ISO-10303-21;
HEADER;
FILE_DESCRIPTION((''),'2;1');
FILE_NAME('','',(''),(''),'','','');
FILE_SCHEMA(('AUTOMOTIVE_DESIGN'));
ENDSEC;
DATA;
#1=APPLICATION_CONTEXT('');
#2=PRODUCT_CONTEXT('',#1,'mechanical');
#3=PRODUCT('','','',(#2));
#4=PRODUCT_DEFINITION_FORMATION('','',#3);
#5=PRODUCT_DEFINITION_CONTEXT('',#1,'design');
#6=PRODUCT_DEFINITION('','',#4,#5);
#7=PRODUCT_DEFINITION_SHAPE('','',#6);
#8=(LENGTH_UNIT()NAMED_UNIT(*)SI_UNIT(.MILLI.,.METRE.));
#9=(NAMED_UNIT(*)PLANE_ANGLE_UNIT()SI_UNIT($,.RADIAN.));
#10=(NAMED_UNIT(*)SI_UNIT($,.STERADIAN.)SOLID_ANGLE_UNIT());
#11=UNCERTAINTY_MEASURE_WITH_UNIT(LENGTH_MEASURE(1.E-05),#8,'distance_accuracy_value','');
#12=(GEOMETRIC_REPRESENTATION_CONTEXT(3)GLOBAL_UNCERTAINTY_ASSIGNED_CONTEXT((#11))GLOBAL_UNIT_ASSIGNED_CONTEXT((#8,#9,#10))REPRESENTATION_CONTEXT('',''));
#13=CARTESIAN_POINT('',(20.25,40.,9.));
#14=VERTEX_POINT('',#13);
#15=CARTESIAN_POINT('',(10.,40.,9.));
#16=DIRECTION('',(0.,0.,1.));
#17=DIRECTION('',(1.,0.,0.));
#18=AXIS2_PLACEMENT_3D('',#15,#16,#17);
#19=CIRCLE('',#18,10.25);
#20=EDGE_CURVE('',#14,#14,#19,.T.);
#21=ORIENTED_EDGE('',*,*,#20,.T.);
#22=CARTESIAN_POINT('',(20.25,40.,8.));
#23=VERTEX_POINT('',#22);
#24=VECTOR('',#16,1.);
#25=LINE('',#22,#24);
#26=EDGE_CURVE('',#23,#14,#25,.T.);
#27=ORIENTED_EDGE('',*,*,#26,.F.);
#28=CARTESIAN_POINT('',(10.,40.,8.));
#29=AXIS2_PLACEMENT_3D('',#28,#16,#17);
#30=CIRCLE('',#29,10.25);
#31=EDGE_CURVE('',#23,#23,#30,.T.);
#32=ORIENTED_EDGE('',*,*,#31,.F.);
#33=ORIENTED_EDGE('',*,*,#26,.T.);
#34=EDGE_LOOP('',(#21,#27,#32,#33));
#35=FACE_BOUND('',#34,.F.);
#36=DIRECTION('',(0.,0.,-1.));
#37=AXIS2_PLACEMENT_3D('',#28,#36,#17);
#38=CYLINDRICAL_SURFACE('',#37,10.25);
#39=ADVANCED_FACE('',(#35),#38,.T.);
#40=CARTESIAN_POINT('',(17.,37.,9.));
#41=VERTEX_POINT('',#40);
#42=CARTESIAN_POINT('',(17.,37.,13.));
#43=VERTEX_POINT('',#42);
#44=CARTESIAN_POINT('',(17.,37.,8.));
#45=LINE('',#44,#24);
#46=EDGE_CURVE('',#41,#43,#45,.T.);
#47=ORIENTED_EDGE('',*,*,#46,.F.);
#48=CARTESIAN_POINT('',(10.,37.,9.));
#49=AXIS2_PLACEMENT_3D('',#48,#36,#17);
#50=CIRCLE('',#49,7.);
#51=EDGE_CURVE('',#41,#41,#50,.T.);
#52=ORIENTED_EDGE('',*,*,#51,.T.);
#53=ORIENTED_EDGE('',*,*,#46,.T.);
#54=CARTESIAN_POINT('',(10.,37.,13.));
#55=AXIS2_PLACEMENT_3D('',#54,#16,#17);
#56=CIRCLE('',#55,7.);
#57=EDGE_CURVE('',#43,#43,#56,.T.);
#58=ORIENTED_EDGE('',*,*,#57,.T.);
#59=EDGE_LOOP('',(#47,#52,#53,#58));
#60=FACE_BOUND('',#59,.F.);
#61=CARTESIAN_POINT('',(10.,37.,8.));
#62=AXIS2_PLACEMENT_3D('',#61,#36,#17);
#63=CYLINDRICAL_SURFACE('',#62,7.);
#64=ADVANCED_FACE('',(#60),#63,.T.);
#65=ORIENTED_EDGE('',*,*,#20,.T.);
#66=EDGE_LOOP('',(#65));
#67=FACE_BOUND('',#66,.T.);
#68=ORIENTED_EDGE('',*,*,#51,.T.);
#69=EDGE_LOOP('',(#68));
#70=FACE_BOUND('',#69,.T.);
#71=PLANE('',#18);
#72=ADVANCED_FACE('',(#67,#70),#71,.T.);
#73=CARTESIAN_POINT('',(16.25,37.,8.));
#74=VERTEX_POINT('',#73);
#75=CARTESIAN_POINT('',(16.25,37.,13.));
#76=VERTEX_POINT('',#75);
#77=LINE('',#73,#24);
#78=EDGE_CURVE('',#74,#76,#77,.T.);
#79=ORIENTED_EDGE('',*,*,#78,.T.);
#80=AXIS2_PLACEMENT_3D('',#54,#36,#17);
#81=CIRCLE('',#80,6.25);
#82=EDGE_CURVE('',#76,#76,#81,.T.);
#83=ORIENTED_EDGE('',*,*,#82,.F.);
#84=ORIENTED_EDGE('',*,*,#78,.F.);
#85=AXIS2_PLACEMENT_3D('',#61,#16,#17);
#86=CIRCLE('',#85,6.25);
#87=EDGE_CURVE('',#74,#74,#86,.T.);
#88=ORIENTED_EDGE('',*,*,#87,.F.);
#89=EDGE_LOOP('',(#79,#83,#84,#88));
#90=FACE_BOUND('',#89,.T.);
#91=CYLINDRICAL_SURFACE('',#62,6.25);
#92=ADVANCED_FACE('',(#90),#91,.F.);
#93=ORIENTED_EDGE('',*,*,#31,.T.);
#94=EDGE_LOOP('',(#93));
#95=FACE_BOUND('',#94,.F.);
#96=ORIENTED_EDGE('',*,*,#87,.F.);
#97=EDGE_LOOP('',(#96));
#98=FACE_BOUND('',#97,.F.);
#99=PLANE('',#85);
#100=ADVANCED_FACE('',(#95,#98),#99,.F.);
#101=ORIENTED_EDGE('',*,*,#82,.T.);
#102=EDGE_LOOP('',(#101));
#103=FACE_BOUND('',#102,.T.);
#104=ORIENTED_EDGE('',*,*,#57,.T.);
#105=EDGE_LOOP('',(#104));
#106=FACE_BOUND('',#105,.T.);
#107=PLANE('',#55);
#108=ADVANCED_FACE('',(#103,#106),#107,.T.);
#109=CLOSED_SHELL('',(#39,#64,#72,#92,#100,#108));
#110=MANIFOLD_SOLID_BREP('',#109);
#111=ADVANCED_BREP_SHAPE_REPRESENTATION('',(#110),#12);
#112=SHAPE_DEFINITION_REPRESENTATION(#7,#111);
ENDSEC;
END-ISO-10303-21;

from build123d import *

# Parameters (mm, degrees)
CYLINDER017_R     = 6.25
CYLINDER017_DEPTH = 10
CYLINDER016_R     = 7
CYLINDER016_DEPTH = 5
CYLINDER015_R     = 10.25
CYLINDER015_DEPTH = 1


with BuildPart() as redtmp07:
    # Cylinder017 → Cylinder017 (new body)
    with BuildSketch(Plane(origin=(0, -3, 0), x_dir=(1, 0, 0), z_dir=(0, 0, 1))):
        Circle(CYLINDER017_R)
    extrude(amount=CYLINDER017_DEPTH)


with BuildPart() as redtmp06:
    # Cylinder016 → Cylinder016 (new body)
    with BuildSketch(Plane(origin=(0, -3, 0), x_dir=(1, 0, 0), z_dir=(0, 0, 1))):
        Circle(CYLINDER016_R)
    extrude(amount=CYLINDER016_DEPTH)


with BuildPart() as redtop:
    # Cylinder015 → Cylinder015 (new body)
    with BuildSketch(Plane.XY):
        Circle(CYLINDER015_R)
    extrude(amount=CYLINDER015_DEPTH)

    # Fusion001: union RedTmp06
    add(redtmp06.part)

    # Cut010: cut RedTmp07
    add(redtmp07.part, mode=Mode.SUBTRACT)


with BuildPart() as redtop_1:
    # Cut010 placement: moved
    add(redtop.part.moved(Location((10, 40, 8))))


solid = redtop_1.part
